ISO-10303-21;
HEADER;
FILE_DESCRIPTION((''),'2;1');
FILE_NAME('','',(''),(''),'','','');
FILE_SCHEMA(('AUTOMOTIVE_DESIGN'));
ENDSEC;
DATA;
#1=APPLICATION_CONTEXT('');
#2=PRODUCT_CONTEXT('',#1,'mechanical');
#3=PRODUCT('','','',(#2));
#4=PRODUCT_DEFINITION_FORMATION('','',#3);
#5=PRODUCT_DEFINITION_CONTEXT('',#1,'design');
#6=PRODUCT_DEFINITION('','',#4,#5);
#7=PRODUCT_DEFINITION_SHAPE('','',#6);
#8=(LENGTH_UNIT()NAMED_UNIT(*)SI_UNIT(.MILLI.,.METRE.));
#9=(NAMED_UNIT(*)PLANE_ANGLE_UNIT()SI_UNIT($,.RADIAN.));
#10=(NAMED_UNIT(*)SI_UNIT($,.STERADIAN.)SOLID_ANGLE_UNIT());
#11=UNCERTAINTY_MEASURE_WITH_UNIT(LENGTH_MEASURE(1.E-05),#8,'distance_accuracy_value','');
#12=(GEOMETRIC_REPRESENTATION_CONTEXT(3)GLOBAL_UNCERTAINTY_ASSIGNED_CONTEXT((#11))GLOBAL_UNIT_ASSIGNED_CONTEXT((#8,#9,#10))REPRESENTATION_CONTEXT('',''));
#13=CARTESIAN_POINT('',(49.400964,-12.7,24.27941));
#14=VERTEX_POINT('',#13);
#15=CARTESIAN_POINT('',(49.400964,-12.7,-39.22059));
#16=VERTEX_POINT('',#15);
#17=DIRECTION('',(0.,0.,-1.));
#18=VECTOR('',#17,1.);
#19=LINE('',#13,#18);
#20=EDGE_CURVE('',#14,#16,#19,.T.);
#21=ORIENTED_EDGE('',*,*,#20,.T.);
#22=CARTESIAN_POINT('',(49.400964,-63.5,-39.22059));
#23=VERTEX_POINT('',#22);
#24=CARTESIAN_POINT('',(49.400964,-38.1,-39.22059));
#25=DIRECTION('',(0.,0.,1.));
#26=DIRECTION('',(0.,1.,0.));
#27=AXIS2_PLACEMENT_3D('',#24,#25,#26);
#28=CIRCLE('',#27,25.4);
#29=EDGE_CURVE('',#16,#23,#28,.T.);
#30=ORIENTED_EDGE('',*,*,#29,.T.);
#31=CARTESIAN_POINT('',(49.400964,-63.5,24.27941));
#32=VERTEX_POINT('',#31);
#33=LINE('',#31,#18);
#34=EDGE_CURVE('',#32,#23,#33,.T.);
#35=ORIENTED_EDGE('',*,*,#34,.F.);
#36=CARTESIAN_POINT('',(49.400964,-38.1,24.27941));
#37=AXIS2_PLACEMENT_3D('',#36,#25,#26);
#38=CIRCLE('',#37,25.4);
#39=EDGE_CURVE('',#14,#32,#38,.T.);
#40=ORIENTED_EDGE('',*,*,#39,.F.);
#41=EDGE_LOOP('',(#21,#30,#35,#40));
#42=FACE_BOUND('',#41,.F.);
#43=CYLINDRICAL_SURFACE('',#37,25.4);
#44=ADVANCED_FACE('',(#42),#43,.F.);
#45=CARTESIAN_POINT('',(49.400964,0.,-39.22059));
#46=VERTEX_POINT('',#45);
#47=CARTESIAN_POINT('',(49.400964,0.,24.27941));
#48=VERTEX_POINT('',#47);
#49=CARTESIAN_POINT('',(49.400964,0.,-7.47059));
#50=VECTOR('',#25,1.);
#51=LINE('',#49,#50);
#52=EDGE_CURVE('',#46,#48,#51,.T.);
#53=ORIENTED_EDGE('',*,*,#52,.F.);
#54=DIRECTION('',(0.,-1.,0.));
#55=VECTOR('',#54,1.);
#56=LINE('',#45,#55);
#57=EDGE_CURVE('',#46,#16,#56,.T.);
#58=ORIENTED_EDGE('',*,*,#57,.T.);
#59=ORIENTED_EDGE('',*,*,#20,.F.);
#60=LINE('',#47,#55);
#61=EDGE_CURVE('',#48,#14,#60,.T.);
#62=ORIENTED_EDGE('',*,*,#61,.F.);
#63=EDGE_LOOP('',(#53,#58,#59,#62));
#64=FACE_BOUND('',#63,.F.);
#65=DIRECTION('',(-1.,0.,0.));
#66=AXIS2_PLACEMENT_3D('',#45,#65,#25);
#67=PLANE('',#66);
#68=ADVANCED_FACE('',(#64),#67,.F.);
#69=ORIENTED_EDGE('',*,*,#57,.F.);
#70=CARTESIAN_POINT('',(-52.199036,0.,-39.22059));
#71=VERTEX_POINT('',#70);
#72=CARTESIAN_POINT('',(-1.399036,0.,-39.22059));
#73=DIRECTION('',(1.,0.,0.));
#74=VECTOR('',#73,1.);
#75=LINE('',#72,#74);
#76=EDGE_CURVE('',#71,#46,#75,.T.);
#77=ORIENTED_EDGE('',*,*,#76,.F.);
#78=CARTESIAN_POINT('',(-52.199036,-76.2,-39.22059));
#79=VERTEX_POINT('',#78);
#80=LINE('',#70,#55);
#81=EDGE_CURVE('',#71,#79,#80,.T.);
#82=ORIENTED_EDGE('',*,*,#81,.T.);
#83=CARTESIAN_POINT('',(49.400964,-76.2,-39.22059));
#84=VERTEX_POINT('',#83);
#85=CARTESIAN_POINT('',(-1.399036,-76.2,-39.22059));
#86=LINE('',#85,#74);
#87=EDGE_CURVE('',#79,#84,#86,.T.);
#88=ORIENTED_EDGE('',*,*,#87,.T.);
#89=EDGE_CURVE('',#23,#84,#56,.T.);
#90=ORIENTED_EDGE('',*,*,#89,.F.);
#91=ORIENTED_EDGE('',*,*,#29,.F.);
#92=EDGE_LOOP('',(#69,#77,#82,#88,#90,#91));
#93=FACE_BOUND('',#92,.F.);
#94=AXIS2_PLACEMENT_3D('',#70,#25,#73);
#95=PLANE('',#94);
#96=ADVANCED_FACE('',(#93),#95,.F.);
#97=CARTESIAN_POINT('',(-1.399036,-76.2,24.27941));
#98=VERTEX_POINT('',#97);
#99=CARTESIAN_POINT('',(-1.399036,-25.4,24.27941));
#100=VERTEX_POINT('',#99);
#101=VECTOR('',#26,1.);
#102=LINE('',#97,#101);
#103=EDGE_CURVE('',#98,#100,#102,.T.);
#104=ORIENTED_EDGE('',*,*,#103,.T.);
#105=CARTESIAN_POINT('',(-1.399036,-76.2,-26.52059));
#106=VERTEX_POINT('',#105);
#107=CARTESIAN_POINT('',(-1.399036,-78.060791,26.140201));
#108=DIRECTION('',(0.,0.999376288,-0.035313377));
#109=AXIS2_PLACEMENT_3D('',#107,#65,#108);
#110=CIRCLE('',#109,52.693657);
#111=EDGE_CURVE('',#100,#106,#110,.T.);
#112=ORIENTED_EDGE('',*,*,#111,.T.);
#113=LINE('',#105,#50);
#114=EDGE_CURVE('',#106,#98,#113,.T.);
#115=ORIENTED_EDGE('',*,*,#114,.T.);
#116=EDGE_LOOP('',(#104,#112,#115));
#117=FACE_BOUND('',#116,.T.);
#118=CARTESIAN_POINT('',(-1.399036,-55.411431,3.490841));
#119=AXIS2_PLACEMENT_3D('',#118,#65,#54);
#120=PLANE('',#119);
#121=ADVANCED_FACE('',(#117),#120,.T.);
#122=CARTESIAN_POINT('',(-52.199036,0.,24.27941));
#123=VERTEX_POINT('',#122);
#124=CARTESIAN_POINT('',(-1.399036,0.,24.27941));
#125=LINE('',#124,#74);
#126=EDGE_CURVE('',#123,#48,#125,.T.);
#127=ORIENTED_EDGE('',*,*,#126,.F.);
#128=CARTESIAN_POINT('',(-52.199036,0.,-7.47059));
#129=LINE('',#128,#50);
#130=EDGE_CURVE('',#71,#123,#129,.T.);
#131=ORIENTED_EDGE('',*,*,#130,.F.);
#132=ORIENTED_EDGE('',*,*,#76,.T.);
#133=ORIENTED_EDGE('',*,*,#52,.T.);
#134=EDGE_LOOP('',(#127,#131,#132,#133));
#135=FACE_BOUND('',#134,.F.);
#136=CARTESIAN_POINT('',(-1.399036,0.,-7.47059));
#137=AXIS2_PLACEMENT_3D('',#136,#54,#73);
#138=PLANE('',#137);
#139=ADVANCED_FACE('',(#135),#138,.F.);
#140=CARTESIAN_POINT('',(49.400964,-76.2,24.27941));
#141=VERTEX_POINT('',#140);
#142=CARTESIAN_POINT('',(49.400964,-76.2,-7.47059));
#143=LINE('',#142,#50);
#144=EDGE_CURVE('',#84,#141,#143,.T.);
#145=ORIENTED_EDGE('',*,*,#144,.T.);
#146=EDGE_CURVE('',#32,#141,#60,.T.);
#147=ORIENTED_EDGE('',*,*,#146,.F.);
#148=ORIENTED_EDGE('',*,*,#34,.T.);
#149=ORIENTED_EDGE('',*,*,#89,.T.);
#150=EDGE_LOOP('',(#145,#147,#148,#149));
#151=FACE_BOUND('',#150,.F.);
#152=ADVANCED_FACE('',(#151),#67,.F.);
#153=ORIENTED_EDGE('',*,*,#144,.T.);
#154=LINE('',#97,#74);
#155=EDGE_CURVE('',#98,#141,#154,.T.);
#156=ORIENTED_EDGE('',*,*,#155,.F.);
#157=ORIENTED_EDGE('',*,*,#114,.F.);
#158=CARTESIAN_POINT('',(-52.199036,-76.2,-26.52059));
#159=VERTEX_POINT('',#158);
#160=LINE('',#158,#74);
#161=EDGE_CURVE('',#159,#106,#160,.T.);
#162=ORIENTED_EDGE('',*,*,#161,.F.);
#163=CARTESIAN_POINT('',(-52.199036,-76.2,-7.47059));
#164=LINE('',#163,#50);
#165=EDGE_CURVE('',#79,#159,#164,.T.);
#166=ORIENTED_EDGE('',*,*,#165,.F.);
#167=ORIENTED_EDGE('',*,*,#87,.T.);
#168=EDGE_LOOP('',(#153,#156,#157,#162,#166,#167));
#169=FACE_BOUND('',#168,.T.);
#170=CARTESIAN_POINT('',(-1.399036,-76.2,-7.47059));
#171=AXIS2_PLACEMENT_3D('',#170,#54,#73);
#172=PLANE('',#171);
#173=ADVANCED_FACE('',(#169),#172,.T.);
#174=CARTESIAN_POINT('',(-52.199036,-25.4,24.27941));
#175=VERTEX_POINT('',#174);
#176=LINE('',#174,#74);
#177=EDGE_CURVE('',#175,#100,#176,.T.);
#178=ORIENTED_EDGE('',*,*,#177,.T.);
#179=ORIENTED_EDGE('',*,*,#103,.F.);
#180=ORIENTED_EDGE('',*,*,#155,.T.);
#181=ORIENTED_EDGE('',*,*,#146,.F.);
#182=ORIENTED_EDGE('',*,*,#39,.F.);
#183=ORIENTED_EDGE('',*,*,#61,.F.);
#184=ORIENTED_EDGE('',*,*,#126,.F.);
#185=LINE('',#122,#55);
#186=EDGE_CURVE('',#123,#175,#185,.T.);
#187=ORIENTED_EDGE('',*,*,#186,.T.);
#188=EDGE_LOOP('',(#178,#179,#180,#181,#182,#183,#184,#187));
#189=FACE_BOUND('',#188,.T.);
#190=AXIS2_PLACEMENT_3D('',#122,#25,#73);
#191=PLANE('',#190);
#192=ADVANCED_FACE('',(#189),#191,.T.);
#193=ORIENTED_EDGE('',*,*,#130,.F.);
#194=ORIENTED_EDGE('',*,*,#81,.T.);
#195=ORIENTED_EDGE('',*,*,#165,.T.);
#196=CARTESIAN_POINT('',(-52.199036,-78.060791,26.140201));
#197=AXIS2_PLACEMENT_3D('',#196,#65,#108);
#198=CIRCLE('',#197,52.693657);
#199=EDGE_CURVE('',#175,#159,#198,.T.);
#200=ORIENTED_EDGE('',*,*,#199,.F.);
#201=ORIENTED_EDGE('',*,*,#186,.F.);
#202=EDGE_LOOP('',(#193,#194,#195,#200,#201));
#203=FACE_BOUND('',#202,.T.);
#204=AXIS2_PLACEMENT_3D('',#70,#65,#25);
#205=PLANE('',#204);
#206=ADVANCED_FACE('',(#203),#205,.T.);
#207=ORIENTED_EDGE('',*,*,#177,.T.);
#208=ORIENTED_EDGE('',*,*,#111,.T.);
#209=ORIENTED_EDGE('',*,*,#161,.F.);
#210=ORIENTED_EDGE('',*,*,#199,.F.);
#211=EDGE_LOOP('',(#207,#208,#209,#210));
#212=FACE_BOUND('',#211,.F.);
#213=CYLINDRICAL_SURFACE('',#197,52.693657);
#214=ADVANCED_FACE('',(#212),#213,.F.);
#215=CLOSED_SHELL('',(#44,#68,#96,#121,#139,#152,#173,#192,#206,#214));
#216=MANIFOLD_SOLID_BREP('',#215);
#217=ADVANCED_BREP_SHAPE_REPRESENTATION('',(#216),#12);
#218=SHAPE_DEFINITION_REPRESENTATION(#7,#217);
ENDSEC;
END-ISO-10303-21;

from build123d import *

# Parameters (mm, degrees)
F0_W     = 101.6
F0_H     = 63.5
F1_DEPTH = 76.2
F3_DEPTH = 63.5
F5_DEPTH = 50.8


with BuildPart() as f1:
    # F0 (on Front) → F1 (new body)
    with BuildSketch(Plane.XZ):
        with Locations((-1.3990358829, -7.4705901444)):
            Rectangle(F0_W, F0_H)
    extrude(amount=F1_DEPTH)

    # F2 (on face) → F3 (cut)
    with BuildSketch(Plane.XY.offset(24.2794098556)):
        with BuildLine():
            Line((49.4009641171, -63.5), (49.4009641171, -12.7))
            ThreePointArc((49.4009641171, -12.7), (24.0009641171, -38.1), (49.4009641171, -63.5))
        make_face()
    extrude(amount=-F3_DEPTH, mode=Mode.SUBTRACT)

    # F4 (on face) → F5 (cut)
    with BuildSketch(Plane(origin=(-52.1990358829, 0, 0), x_dir=(0, -1, 0), z_dir=(-1, 0, 0))):
        with BuildLine():
            Line((76.2, 24.2794098556), (25.4, 24.2794098556))
            ThreePointArc((25.4, 24.2794098556), (40.8007490362, -11.1198411082), (76.2, -26.5205901444))
            Line((76.2, -26.5205901444), (76.2, 24.2794098556))
        make_face()
    extrude(amount=-F5_DEPTH, mode=Mode.SUBTRACT)


solid = f1.part
